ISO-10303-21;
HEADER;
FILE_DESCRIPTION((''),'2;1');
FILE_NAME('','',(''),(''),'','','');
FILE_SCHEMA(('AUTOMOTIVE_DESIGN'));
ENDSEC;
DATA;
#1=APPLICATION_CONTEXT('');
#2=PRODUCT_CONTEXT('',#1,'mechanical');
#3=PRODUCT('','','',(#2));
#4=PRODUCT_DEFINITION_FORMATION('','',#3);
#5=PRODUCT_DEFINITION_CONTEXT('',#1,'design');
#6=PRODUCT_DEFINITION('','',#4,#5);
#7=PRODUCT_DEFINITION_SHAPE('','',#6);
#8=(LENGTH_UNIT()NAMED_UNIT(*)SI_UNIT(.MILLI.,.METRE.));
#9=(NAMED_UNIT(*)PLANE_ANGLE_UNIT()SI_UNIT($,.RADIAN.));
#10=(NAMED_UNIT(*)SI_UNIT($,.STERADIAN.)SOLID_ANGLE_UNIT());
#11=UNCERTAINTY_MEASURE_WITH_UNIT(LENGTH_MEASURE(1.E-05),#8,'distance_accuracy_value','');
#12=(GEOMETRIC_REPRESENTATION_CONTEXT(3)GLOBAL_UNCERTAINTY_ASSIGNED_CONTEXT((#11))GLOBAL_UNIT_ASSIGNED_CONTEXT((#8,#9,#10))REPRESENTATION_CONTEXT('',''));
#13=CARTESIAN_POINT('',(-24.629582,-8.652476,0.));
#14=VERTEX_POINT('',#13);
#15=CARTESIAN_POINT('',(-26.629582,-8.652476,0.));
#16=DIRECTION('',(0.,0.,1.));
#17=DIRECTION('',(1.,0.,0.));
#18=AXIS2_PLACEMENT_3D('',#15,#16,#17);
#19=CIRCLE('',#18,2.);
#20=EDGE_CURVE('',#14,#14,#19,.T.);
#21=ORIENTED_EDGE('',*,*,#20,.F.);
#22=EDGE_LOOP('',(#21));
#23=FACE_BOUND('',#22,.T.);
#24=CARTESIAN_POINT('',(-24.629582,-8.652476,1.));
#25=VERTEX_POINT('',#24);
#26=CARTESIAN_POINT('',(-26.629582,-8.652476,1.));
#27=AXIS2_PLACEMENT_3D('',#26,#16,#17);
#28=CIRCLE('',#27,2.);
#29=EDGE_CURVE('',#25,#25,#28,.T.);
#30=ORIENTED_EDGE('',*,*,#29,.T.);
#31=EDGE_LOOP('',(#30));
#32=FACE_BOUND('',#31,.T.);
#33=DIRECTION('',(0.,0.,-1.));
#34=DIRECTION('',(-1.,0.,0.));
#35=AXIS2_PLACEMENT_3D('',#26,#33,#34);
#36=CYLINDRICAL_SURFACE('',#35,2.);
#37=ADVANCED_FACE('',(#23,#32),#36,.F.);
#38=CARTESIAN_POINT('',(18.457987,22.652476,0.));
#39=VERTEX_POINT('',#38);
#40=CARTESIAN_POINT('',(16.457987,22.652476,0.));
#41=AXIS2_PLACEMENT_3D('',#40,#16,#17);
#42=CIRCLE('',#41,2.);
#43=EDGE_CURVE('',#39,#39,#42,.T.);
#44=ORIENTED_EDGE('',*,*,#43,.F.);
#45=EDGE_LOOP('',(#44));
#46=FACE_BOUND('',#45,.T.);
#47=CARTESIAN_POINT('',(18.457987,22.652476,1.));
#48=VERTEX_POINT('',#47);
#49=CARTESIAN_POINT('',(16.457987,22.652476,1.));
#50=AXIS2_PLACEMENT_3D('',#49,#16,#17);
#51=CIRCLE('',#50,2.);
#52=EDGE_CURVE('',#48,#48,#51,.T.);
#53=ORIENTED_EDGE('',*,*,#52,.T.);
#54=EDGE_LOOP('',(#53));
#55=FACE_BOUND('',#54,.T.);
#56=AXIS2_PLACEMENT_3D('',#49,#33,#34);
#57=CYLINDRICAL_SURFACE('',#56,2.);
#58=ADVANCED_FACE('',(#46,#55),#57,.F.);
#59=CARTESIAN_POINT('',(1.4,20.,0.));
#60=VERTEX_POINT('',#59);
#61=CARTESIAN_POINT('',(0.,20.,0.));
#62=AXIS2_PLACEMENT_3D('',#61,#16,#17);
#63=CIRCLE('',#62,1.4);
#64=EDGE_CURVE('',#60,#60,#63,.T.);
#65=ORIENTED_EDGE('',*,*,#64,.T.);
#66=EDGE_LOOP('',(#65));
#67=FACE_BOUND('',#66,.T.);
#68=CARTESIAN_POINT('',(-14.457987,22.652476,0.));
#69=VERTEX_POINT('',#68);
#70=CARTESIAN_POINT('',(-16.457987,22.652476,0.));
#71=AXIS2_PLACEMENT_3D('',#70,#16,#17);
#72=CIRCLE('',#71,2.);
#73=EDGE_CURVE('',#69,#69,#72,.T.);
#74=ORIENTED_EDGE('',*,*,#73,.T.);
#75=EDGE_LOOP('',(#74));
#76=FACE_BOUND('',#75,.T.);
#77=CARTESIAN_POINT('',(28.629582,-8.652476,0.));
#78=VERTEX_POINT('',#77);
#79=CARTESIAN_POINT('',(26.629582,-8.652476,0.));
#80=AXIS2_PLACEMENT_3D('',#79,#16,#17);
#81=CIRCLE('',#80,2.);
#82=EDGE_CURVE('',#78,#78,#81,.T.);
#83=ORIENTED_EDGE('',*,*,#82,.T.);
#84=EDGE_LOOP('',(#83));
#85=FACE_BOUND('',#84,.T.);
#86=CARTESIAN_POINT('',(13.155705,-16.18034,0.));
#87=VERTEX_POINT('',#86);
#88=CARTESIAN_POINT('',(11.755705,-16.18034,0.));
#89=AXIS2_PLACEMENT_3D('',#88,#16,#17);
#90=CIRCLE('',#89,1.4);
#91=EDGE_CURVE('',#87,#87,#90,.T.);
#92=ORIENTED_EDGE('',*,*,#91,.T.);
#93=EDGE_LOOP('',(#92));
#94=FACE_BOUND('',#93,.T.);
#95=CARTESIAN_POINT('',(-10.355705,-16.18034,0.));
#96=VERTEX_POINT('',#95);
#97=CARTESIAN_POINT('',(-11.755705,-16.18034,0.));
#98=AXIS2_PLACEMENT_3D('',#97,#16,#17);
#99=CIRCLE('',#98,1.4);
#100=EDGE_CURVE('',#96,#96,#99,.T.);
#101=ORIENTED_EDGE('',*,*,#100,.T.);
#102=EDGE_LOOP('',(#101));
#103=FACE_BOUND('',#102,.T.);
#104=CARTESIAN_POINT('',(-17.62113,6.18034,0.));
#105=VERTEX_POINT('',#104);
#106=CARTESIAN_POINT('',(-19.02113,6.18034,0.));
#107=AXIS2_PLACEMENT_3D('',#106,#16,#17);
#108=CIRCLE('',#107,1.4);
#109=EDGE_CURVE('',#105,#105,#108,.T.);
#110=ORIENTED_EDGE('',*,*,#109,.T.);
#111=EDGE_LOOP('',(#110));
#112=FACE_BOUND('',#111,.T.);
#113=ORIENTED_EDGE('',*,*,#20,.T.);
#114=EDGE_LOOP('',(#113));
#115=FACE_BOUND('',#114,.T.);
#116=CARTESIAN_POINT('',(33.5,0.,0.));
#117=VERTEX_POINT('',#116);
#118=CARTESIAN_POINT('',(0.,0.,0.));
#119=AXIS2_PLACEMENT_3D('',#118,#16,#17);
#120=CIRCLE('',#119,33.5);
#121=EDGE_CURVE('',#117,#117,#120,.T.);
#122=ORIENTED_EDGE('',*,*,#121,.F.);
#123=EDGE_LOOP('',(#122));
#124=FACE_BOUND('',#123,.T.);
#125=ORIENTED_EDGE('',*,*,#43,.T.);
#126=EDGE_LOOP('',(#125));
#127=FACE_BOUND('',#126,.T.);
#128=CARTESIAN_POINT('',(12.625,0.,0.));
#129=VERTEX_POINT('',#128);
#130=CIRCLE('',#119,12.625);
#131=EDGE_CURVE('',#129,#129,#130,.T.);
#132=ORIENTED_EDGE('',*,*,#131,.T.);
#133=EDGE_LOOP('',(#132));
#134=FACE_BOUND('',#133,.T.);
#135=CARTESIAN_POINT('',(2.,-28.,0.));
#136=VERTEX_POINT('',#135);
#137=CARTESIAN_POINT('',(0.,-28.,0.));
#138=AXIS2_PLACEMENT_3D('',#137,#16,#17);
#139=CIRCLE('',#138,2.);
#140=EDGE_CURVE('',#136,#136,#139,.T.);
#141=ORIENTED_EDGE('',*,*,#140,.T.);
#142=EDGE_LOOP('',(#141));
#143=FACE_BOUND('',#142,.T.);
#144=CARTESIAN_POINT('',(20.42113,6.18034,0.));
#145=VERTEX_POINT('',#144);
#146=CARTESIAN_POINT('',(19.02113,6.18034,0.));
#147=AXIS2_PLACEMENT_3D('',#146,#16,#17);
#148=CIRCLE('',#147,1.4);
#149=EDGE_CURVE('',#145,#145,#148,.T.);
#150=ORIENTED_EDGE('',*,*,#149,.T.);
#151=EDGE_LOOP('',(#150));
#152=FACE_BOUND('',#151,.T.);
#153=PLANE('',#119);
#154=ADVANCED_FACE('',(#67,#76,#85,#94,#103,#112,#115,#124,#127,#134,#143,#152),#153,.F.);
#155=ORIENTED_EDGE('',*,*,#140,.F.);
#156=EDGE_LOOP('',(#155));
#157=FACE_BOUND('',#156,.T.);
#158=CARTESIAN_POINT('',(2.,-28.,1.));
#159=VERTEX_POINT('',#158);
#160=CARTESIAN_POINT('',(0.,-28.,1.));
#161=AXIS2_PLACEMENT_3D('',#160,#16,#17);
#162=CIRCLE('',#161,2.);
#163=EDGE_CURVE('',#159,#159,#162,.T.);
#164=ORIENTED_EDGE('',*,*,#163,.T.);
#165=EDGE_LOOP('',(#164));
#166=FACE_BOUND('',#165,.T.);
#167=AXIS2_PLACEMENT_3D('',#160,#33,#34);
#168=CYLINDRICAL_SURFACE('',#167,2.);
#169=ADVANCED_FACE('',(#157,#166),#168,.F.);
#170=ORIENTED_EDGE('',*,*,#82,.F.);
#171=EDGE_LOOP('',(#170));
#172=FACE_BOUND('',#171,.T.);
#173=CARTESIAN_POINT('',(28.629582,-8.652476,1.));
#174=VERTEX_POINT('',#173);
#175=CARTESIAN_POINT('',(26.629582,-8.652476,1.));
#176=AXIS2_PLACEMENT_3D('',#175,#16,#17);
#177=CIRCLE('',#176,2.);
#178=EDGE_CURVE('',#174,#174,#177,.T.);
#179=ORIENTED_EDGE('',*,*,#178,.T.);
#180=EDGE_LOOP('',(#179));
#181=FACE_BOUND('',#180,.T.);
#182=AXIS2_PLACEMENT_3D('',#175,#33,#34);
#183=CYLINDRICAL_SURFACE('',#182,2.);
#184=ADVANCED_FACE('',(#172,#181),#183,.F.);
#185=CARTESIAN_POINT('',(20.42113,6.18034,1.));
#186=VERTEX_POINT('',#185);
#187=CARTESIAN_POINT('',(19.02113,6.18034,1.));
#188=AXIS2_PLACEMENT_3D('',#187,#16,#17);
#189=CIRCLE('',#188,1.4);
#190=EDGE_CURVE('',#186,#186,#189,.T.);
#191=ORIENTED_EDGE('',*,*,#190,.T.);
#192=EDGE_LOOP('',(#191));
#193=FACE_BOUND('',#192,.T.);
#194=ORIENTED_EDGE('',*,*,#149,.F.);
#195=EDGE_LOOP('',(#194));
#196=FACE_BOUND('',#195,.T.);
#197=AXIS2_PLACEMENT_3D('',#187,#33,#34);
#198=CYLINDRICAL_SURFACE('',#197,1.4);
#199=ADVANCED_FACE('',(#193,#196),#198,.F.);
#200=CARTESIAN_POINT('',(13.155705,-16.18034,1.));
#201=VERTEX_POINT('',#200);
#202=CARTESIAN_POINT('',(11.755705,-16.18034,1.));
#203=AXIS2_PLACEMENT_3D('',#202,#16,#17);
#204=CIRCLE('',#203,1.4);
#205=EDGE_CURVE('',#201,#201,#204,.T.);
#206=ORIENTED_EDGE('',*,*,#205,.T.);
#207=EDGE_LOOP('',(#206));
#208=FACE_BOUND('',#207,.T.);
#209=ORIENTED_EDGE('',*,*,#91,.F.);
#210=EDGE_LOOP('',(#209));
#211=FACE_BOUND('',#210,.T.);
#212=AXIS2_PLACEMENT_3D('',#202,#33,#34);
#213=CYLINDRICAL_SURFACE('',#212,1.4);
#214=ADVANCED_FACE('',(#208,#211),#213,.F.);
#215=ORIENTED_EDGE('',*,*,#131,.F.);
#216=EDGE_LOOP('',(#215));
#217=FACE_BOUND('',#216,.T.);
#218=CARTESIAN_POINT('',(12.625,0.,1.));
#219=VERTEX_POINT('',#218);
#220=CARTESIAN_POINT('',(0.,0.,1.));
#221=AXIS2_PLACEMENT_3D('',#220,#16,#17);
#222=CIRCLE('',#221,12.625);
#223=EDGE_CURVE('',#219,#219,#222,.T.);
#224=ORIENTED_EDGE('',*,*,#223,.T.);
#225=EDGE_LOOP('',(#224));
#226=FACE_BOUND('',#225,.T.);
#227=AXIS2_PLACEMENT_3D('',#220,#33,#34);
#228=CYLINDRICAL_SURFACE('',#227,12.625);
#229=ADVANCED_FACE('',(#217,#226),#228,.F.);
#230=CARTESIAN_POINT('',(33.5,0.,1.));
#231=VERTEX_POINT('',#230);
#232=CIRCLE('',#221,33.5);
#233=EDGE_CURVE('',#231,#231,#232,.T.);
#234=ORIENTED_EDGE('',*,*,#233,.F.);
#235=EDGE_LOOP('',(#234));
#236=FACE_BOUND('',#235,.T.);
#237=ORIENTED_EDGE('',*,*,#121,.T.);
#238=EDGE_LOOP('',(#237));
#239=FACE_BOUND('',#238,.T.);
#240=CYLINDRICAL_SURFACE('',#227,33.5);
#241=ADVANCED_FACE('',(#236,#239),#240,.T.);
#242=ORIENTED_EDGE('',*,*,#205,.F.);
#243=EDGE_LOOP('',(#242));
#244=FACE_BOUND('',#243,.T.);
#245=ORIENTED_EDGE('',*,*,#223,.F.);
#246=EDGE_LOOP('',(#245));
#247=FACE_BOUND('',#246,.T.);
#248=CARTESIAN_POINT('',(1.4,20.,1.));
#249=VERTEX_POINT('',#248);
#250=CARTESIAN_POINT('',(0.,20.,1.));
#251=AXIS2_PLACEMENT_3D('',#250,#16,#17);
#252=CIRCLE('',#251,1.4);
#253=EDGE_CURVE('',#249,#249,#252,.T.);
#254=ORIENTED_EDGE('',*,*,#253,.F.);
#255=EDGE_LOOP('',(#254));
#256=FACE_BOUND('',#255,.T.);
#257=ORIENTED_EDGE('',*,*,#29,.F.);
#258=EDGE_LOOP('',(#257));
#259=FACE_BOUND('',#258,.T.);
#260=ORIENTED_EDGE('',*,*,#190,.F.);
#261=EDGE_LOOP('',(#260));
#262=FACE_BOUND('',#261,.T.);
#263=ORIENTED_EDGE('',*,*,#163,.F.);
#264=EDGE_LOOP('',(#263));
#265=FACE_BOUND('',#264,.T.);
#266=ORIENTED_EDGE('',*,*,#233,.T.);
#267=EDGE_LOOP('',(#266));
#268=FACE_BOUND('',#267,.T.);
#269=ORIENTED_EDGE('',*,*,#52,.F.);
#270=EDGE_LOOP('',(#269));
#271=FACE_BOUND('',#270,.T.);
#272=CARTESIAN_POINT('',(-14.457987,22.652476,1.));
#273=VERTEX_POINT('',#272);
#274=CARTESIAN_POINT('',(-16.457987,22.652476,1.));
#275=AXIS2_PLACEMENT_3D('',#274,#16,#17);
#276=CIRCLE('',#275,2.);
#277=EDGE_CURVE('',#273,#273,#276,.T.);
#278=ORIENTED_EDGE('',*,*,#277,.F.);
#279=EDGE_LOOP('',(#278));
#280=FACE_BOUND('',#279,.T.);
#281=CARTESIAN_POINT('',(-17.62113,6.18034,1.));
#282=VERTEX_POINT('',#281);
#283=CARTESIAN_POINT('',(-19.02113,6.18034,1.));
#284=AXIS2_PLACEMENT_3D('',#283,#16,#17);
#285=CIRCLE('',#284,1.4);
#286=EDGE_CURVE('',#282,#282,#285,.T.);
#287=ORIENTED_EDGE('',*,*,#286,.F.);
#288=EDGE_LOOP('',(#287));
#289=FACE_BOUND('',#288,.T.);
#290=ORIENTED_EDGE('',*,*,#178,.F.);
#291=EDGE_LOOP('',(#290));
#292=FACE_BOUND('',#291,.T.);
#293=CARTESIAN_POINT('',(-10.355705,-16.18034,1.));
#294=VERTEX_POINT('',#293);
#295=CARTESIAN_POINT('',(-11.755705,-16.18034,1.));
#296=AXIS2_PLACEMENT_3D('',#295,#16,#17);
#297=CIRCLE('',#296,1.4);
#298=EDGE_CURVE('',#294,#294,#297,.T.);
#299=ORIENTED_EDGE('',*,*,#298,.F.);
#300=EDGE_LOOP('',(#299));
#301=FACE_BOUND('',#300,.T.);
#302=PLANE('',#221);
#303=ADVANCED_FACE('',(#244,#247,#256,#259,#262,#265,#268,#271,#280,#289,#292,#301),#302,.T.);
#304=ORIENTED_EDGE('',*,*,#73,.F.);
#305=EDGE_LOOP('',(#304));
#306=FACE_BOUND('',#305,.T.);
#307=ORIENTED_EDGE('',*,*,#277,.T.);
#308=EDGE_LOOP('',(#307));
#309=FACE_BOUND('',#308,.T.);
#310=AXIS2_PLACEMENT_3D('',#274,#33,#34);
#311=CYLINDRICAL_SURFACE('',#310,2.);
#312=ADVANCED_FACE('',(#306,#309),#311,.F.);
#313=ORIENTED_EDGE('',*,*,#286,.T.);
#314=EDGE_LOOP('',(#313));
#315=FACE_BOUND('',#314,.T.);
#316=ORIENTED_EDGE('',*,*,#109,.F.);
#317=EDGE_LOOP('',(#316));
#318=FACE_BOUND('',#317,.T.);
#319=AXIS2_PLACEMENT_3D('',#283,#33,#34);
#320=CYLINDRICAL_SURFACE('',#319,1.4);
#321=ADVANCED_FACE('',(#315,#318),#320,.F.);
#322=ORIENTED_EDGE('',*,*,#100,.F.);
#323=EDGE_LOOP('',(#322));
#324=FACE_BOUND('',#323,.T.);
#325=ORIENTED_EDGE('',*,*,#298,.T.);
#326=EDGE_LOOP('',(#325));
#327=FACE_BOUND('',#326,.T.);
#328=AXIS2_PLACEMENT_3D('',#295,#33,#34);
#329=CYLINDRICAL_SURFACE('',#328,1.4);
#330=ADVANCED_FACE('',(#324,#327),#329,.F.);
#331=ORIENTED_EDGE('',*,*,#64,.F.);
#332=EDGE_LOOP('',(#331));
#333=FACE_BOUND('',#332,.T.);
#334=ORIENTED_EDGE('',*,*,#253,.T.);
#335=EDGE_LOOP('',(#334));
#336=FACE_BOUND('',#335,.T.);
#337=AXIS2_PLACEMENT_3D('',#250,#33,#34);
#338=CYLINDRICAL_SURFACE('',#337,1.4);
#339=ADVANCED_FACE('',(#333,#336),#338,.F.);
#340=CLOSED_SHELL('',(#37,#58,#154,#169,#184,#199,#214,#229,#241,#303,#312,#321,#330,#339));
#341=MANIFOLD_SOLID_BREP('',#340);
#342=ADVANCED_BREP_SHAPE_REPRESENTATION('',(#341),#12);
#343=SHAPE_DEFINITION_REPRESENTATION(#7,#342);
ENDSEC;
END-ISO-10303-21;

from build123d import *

# Parameters (mm, degrees)
SKETCH_1_R      = 33.5
SKETCH_1_R_2    = 12.625
SKETCH_1_R_3    = 2
SKETCH_1_R_4    = 1.4
EXTRUDE_1_DEPTH = 1


with BuildPart() as part:
    # 草图1 → 凸台-拉伸1 (new body)
    with BuildSketch(Plane.XY):
        Circle(SKETCH_1_R)
        Circle(SKETCH_1_R_2, mode=Mode.SUBTRACT)
        with Locations((0, -28)):
            Circle(SKETCH_1_R_3, mode=Mode.SUBTRACT)
        with Locations((-26.629582456, -8.652475842)):
            Circle(SKETCH_1_R_3, mode=Mode.SUBTRACT)
        with Locations((-16.457987064, 22.652475842)):
            Circle(SKETCH_1_R_3, mode=Mode.SUBTRACT)
        with Locations((16.457987064, 22.652475842)):
            Circle(SKETCH_1_R_3, mode=Mode.SUBTRACT)
        with Locations((26.629582456, -8.652475842)):
            Circle(SKETCH_1_R_3, mode=Mode.SUBTRACT)
        with Locations((-11.755705046, -16.180339887)):
            Circle(SKETCH_1_R_4, mode=Mode.SUBTRACT)
        with Locations((-19.021130326, 6.180339887)):
            Circle(SKETCH_1_R_4, mode=Mode.SUBTRACT)
        with Locations((0, 20)):
            Circle(SKETCH_1_R_4, mode=Mode.SUBTRACT)
        with Locations((19.021130326, 6.180339887)):
            Circle(SKETCH_1_R_4, mode=Mode.SUBTRACT)
        with Locations((11.755705046, -16.180339887)):
            Circle(SKETCH_1_R_4, mode=Mode.SUBTRACT)
    extrude(amount=EXTRUDE_1_DEPTH)


solid = part.part
